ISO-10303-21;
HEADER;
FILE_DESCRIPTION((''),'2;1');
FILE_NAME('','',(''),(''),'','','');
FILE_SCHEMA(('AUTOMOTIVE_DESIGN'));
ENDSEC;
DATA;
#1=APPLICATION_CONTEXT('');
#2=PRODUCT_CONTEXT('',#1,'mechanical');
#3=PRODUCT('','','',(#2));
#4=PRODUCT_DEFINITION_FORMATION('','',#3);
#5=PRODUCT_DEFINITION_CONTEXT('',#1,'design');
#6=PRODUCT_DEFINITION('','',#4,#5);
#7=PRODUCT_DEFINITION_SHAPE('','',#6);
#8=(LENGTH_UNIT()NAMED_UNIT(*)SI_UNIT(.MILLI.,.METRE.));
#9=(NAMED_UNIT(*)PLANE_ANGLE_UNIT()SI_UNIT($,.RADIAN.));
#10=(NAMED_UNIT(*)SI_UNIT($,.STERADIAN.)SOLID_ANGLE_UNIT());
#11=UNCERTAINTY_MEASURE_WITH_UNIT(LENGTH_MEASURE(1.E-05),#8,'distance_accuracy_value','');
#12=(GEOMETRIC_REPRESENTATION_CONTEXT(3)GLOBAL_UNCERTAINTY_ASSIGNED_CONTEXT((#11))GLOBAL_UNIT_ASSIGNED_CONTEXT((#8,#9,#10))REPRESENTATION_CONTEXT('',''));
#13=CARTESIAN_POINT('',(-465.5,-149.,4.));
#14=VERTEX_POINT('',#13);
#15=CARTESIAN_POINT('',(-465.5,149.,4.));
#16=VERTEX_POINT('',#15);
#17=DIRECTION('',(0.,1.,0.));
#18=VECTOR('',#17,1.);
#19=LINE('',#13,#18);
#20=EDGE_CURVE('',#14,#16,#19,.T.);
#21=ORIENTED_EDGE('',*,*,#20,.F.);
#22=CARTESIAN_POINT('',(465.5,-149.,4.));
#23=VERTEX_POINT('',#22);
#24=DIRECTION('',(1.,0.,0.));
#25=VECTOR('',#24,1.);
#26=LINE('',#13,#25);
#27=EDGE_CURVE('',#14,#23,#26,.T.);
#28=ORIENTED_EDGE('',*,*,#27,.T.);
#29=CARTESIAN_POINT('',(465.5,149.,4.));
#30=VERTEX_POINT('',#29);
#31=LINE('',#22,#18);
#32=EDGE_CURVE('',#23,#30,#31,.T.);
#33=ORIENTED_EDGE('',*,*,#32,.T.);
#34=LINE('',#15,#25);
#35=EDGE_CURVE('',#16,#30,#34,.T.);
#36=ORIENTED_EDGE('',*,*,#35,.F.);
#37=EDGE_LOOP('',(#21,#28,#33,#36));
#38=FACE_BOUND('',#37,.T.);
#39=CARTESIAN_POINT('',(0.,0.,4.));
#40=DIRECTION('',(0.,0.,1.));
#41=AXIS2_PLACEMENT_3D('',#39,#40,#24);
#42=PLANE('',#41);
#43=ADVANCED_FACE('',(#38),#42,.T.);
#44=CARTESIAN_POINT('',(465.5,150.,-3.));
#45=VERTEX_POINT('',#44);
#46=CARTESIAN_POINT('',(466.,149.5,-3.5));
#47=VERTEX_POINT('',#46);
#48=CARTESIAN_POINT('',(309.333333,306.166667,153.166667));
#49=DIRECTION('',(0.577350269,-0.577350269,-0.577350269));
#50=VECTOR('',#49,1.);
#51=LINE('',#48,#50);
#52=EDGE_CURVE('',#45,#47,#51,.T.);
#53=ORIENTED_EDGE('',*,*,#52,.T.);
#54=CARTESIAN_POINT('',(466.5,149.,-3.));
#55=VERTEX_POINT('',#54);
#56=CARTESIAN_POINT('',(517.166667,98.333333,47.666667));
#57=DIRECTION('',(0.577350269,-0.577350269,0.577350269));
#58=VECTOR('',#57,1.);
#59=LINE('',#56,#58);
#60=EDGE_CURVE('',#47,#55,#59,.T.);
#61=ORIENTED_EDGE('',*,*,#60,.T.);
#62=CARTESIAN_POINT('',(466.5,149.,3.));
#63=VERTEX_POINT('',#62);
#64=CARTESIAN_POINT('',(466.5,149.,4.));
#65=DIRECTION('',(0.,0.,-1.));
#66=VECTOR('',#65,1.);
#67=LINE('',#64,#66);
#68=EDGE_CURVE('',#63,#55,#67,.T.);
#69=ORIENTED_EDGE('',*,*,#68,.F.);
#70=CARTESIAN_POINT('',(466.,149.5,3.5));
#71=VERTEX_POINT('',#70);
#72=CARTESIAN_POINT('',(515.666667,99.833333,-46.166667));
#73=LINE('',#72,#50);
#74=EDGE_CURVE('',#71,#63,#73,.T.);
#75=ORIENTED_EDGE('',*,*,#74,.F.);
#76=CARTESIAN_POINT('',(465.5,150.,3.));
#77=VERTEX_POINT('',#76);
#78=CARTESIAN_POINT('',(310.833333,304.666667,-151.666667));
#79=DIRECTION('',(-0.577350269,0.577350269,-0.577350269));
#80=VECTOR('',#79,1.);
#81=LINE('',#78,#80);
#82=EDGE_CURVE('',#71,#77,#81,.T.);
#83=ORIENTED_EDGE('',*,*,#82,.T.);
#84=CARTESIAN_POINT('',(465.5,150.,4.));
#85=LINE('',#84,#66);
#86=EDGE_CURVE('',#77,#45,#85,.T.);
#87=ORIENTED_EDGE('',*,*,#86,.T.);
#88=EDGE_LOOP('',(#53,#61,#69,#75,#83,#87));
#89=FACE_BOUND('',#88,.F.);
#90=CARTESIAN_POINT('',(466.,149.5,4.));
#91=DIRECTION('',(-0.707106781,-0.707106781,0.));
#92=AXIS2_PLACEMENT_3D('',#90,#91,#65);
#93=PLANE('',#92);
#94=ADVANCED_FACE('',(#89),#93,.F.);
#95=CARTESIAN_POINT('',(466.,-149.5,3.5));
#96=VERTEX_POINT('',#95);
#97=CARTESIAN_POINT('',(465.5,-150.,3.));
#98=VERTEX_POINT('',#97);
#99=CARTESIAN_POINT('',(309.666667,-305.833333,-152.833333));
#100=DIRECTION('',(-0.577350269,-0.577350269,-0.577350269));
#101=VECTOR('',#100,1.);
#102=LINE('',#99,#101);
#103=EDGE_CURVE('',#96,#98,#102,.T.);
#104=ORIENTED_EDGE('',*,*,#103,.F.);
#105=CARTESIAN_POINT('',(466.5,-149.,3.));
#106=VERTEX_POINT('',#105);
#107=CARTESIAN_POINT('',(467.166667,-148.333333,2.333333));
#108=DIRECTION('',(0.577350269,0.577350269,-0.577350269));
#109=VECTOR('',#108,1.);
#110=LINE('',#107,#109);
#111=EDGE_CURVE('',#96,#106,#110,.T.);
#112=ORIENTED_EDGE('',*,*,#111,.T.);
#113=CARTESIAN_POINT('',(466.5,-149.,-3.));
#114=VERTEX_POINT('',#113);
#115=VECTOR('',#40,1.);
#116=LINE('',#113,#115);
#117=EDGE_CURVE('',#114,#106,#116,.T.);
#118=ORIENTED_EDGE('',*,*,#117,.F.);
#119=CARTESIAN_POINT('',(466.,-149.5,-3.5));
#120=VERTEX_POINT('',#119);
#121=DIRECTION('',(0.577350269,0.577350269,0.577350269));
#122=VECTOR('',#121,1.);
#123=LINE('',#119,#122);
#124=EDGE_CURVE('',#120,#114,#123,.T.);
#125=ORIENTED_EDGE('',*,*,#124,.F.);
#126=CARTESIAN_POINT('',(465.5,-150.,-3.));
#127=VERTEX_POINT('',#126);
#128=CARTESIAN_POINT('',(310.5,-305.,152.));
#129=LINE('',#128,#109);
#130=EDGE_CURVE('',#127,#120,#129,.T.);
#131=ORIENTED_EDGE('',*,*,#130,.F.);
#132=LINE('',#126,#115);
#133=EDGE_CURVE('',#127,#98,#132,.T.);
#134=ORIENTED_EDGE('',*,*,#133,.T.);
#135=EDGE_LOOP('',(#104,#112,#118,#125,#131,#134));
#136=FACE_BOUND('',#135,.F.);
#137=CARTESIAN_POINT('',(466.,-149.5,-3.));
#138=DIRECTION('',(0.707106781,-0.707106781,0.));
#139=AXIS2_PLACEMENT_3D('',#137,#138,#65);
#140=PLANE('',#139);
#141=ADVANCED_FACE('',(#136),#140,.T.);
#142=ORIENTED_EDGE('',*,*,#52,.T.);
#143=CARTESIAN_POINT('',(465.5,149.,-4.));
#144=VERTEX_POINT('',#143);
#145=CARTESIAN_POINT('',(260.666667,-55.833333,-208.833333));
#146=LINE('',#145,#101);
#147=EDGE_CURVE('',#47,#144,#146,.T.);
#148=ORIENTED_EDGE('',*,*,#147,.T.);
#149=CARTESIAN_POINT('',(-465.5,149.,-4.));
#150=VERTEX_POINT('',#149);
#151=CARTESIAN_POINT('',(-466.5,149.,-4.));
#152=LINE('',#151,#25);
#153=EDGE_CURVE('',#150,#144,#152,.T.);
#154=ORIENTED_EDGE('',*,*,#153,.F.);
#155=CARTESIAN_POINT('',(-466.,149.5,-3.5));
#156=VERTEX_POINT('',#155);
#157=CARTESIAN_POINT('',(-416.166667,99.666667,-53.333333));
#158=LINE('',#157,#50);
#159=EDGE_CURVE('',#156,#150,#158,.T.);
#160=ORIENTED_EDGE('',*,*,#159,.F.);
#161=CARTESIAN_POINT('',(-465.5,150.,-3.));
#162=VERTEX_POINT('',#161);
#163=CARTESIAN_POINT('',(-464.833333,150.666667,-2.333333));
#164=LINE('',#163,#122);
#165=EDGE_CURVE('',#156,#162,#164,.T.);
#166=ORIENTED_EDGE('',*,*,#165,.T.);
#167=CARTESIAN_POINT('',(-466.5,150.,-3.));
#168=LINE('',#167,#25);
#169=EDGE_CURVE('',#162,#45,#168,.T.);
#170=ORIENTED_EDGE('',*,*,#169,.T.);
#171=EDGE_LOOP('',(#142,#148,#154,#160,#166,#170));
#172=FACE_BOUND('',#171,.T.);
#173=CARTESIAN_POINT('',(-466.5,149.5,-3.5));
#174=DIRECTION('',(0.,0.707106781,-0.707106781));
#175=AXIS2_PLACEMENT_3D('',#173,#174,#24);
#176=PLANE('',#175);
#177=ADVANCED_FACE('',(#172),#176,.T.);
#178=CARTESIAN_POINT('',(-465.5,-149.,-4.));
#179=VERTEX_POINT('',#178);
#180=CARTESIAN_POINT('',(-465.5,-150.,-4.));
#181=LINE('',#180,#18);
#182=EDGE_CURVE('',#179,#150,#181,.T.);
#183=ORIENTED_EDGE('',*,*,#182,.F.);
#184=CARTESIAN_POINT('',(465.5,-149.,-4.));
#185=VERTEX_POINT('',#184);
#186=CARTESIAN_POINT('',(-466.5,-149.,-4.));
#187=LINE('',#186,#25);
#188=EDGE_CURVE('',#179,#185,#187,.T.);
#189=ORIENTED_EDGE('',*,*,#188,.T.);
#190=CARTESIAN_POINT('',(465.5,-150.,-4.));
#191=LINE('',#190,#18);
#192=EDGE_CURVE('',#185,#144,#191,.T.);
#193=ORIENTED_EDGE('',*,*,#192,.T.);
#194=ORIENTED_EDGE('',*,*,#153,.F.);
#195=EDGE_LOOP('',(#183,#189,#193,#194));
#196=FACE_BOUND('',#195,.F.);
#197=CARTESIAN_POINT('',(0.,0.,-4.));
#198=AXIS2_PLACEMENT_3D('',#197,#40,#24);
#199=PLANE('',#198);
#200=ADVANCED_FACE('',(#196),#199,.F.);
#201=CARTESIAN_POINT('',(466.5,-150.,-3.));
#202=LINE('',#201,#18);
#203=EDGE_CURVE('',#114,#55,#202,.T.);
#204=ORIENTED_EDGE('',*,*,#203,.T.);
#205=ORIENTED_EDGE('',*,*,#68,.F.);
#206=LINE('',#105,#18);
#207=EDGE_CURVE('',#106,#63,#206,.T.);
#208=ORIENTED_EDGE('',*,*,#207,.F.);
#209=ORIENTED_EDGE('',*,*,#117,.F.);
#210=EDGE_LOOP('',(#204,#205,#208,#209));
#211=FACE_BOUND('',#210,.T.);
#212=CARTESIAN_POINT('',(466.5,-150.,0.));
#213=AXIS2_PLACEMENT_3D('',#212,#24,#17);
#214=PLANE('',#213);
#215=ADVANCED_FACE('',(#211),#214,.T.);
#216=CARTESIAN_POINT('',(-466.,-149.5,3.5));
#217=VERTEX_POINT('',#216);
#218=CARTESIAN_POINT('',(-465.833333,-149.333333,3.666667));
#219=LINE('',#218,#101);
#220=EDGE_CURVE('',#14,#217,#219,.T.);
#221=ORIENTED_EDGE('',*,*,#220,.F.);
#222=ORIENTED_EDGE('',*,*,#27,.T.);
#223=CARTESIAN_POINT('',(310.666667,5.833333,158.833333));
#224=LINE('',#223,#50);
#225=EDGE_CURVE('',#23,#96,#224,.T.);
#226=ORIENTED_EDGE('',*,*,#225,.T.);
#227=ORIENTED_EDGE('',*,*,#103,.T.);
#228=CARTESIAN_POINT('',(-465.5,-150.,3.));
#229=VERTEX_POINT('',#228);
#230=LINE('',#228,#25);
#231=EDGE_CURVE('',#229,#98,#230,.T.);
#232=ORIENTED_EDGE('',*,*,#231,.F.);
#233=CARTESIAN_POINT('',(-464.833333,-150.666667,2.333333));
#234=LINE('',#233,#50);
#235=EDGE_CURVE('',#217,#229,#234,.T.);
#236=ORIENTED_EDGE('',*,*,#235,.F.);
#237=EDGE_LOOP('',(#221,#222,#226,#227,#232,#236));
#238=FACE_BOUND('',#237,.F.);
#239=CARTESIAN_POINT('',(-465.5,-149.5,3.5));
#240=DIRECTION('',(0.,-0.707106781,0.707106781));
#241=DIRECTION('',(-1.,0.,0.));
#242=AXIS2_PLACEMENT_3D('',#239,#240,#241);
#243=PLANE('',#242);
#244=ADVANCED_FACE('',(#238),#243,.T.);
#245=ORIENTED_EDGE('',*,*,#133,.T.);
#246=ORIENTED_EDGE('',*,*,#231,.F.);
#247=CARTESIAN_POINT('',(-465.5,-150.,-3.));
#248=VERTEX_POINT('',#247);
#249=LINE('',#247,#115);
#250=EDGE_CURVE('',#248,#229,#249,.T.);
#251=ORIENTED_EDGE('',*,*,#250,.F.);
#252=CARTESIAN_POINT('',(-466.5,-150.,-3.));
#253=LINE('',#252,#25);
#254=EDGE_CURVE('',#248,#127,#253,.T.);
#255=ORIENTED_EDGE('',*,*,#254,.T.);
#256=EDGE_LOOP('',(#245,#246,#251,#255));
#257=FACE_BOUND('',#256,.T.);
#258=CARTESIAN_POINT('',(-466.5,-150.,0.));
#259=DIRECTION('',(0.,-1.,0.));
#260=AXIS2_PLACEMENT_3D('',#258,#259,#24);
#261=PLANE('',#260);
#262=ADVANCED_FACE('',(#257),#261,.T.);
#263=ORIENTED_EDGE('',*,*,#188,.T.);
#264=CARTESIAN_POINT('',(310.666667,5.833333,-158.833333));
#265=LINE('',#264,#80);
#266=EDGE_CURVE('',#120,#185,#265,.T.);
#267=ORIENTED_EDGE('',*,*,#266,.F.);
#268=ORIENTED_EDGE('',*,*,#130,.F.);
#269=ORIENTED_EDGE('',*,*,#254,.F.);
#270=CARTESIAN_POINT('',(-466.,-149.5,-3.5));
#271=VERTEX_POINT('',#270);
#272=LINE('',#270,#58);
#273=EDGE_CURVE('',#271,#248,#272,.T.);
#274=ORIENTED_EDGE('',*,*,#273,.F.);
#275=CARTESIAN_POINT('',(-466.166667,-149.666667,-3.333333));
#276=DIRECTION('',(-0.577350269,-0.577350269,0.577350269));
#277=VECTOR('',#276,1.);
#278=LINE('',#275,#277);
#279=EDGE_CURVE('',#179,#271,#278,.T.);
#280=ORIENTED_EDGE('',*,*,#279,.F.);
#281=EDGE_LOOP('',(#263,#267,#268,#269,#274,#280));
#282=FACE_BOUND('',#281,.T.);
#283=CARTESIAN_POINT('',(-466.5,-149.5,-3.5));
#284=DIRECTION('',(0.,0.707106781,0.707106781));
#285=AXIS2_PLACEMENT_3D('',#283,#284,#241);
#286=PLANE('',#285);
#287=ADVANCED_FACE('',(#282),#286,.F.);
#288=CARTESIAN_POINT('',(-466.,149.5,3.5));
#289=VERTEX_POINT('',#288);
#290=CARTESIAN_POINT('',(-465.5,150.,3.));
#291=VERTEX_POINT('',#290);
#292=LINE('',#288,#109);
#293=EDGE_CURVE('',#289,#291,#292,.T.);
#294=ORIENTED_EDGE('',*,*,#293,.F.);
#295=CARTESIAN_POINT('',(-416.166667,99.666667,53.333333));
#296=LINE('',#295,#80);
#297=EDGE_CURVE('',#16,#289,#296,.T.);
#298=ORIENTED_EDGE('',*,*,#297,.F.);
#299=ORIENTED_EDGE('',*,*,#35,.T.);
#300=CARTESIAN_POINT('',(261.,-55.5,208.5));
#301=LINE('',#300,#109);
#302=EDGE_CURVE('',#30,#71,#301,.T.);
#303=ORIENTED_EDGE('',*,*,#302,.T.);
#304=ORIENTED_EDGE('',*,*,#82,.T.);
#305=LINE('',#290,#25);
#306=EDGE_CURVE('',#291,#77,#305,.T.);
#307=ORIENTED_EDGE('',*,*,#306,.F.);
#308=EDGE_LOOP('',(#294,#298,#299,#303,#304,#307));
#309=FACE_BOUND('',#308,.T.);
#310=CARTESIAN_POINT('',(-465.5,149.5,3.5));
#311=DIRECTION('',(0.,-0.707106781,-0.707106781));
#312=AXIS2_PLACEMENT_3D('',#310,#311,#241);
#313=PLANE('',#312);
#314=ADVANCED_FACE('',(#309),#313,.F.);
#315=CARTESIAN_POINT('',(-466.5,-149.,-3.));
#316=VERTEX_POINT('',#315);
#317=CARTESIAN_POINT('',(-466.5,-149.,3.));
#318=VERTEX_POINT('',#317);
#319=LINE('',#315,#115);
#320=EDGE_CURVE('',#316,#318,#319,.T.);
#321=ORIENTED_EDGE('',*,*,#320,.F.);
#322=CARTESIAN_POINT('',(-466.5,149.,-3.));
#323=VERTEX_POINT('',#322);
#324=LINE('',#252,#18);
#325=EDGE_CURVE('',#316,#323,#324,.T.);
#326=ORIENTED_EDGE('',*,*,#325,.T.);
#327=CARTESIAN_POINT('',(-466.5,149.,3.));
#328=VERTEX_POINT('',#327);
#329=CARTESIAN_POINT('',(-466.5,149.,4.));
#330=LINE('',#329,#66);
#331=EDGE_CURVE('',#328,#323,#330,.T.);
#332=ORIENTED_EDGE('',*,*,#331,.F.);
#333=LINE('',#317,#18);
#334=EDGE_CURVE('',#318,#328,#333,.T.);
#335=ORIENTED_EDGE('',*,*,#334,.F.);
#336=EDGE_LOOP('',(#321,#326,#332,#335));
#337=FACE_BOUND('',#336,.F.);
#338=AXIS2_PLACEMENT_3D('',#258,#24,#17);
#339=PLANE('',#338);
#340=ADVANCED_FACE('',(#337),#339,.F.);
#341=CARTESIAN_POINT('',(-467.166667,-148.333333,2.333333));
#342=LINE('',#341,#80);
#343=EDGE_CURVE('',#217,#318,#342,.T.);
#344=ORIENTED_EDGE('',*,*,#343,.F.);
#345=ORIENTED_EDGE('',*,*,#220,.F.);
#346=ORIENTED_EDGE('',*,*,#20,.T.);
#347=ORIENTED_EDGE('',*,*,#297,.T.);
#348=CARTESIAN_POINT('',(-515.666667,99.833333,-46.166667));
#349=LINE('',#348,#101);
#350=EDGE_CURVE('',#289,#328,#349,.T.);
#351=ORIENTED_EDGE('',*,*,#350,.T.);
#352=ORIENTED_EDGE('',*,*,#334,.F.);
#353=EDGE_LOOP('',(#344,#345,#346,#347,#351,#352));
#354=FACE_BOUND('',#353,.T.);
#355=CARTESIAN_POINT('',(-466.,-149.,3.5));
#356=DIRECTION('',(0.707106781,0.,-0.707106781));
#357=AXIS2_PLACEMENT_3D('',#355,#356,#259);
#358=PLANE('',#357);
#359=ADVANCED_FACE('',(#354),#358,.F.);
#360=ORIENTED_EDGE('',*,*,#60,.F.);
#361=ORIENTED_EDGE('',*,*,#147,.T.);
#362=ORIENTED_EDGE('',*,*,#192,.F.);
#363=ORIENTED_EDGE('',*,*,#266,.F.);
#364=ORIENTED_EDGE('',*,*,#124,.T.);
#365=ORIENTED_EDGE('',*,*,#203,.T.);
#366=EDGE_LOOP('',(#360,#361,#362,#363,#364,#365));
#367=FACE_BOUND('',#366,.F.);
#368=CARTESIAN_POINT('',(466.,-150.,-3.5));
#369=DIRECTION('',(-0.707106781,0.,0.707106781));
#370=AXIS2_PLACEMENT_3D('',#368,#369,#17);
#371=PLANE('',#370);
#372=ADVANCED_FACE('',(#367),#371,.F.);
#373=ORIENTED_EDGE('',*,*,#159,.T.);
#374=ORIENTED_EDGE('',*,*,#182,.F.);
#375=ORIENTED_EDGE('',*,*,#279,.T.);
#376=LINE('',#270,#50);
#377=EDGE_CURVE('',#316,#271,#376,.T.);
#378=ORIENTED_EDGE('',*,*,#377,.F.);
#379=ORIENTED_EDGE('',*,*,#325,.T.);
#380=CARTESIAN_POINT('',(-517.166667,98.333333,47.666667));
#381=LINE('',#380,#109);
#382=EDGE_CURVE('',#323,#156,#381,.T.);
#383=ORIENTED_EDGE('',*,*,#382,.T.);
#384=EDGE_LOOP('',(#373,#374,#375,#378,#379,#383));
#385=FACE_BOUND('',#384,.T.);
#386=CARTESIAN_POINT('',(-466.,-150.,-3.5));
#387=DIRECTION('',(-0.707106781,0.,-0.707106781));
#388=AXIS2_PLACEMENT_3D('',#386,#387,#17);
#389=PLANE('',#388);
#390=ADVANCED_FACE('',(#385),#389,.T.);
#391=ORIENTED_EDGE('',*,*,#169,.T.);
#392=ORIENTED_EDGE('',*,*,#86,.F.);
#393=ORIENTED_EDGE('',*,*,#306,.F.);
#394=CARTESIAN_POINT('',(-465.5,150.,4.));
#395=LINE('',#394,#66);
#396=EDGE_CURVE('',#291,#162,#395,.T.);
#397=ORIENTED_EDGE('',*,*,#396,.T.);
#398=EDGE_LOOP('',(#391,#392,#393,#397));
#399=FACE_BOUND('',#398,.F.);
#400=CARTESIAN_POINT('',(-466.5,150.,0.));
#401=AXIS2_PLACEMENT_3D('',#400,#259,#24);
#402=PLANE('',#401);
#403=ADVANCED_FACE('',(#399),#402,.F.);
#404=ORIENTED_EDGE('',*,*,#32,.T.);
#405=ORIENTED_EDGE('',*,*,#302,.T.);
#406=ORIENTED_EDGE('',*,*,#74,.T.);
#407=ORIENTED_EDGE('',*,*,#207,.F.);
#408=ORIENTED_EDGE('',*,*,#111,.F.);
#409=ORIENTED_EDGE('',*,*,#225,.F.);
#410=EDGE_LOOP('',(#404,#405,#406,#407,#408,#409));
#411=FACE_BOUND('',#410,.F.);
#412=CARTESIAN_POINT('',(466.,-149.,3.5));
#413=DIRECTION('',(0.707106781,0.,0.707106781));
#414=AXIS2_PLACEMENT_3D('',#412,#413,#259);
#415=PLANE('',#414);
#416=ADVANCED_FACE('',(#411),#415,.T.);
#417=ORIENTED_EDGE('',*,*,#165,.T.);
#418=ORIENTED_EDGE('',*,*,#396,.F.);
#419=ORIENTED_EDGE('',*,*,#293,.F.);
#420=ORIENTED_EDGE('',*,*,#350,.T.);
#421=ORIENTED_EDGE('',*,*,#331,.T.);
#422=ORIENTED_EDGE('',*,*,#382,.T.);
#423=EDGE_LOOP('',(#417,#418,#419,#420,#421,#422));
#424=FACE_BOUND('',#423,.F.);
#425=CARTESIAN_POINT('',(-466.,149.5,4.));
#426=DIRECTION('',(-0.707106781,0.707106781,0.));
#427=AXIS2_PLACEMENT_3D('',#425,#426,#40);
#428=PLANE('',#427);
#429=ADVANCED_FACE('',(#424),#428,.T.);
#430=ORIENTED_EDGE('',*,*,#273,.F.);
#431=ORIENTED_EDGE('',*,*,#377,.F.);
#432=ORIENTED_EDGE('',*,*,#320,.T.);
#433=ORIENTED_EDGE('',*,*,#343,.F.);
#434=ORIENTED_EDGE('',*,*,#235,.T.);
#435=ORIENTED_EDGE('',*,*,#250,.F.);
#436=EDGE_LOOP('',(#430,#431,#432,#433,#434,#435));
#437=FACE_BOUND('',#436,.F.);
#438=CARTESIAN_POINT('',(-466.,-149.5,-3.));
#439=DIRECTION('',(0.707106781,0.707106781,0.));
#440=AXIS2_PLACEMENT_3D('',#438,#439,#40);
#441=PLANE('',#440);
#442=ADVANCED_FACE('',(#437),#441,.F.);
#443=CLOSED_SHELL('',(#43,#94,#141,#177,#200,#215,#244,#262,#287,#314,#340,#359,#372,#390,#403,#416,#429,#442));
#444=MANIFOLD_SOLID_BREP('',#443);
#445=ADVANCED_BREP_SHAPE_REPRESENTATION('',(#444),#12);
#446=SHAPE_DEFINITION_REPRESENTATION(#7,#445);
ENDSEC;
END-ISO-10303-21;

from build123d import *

# Parameters (mm, degrees)
F0_W     = 933
F0_H     = 300
F1_DEPTH = 4
F2_SIZE  = 1
F3_SIZE  = 1
F4_SIZE  = 1
F5_SIZE  = 1
F6_SIZE  = 1
F7_SIZE  = 1


with BuildPart() as f1:
    # F0 (on Top) → F1 (new body, symmetric)
    with BuildSketch(Plane.XY):
        Rectangle(F0_W, F0_H)
    extrude(amount=F1_DEPTH, both=True)

    # F2
    f2_edges = [f1.edges().sort_by_distance(p)[0] for p in [
        (466.5, 0, -4),
        (0, -150, -4),
        (-466.5, 0, -4),
        (0, 150, -4),
    ]]
    chamfer(f2_edges, length=F2_SIZE)

    # F3
    f3_edges = [f1.edges().sort_by_distance(p)[0] for p in [
        (466.5, -150, 0.5),
    ]]
    chamfer(f3_edges, length=F3_SIZE)

    # F4
    f4_edges = [f1.edges().sort_by_distance(p)[0] for p in [
        (-466.5, 150, 0.5),
    ]]
    chamfer(f4_edges, length=F4_SIZE)

    # F5
    f5_edges = [f1.edges().sort_by_distance(p)[0] for p in [
        (-466.5, -150, 0.5),
    ]]
    chamfer(f5_edges, length=F5_SIZE)

    # F6
    f6_edges = [f1.edges().sort_by_distance(p)[0] for p in [
        (466.5, 150, 0.5),
    ]]
    chamfer(f6_edges, length=F6_SIZE)

    # F7 (call 1 of 4: OpenCascade refuses the feature's edges together)
    f7_edges = [f1.edges().sort_by_distance(p)[0] for p in [
        (0, -150, 4),
    ]]
    chamfer(f7_edges, length=F7_SIZE)

    # F7#2 (call 2 of 4)
    f7_2_edges = [f1.edges().sort_by_distance(p)[0] for p in [
        (466.5, 0, 4),
    ]]
    chamfer(f7_2_edges, length=F7_SIZE)

    # F7#3 (call 3 of 4)
    f7_3_edges = [f1.edges().sort_by_distance(p)[0] for p in [
        (0, 150, 4),
    ]]
    chamfer(f7_3_edges, length=F7_SIZE)

    # F7#4 (call 4 of 4)
    f7_4_edges = [f1.edges().sort_by_distance(p)[0] for p in [
        (-466.5, 0, 4),
    ]]
    chamfer(f7_4_edges, length=F7_SIZE)


solid = f1.part
